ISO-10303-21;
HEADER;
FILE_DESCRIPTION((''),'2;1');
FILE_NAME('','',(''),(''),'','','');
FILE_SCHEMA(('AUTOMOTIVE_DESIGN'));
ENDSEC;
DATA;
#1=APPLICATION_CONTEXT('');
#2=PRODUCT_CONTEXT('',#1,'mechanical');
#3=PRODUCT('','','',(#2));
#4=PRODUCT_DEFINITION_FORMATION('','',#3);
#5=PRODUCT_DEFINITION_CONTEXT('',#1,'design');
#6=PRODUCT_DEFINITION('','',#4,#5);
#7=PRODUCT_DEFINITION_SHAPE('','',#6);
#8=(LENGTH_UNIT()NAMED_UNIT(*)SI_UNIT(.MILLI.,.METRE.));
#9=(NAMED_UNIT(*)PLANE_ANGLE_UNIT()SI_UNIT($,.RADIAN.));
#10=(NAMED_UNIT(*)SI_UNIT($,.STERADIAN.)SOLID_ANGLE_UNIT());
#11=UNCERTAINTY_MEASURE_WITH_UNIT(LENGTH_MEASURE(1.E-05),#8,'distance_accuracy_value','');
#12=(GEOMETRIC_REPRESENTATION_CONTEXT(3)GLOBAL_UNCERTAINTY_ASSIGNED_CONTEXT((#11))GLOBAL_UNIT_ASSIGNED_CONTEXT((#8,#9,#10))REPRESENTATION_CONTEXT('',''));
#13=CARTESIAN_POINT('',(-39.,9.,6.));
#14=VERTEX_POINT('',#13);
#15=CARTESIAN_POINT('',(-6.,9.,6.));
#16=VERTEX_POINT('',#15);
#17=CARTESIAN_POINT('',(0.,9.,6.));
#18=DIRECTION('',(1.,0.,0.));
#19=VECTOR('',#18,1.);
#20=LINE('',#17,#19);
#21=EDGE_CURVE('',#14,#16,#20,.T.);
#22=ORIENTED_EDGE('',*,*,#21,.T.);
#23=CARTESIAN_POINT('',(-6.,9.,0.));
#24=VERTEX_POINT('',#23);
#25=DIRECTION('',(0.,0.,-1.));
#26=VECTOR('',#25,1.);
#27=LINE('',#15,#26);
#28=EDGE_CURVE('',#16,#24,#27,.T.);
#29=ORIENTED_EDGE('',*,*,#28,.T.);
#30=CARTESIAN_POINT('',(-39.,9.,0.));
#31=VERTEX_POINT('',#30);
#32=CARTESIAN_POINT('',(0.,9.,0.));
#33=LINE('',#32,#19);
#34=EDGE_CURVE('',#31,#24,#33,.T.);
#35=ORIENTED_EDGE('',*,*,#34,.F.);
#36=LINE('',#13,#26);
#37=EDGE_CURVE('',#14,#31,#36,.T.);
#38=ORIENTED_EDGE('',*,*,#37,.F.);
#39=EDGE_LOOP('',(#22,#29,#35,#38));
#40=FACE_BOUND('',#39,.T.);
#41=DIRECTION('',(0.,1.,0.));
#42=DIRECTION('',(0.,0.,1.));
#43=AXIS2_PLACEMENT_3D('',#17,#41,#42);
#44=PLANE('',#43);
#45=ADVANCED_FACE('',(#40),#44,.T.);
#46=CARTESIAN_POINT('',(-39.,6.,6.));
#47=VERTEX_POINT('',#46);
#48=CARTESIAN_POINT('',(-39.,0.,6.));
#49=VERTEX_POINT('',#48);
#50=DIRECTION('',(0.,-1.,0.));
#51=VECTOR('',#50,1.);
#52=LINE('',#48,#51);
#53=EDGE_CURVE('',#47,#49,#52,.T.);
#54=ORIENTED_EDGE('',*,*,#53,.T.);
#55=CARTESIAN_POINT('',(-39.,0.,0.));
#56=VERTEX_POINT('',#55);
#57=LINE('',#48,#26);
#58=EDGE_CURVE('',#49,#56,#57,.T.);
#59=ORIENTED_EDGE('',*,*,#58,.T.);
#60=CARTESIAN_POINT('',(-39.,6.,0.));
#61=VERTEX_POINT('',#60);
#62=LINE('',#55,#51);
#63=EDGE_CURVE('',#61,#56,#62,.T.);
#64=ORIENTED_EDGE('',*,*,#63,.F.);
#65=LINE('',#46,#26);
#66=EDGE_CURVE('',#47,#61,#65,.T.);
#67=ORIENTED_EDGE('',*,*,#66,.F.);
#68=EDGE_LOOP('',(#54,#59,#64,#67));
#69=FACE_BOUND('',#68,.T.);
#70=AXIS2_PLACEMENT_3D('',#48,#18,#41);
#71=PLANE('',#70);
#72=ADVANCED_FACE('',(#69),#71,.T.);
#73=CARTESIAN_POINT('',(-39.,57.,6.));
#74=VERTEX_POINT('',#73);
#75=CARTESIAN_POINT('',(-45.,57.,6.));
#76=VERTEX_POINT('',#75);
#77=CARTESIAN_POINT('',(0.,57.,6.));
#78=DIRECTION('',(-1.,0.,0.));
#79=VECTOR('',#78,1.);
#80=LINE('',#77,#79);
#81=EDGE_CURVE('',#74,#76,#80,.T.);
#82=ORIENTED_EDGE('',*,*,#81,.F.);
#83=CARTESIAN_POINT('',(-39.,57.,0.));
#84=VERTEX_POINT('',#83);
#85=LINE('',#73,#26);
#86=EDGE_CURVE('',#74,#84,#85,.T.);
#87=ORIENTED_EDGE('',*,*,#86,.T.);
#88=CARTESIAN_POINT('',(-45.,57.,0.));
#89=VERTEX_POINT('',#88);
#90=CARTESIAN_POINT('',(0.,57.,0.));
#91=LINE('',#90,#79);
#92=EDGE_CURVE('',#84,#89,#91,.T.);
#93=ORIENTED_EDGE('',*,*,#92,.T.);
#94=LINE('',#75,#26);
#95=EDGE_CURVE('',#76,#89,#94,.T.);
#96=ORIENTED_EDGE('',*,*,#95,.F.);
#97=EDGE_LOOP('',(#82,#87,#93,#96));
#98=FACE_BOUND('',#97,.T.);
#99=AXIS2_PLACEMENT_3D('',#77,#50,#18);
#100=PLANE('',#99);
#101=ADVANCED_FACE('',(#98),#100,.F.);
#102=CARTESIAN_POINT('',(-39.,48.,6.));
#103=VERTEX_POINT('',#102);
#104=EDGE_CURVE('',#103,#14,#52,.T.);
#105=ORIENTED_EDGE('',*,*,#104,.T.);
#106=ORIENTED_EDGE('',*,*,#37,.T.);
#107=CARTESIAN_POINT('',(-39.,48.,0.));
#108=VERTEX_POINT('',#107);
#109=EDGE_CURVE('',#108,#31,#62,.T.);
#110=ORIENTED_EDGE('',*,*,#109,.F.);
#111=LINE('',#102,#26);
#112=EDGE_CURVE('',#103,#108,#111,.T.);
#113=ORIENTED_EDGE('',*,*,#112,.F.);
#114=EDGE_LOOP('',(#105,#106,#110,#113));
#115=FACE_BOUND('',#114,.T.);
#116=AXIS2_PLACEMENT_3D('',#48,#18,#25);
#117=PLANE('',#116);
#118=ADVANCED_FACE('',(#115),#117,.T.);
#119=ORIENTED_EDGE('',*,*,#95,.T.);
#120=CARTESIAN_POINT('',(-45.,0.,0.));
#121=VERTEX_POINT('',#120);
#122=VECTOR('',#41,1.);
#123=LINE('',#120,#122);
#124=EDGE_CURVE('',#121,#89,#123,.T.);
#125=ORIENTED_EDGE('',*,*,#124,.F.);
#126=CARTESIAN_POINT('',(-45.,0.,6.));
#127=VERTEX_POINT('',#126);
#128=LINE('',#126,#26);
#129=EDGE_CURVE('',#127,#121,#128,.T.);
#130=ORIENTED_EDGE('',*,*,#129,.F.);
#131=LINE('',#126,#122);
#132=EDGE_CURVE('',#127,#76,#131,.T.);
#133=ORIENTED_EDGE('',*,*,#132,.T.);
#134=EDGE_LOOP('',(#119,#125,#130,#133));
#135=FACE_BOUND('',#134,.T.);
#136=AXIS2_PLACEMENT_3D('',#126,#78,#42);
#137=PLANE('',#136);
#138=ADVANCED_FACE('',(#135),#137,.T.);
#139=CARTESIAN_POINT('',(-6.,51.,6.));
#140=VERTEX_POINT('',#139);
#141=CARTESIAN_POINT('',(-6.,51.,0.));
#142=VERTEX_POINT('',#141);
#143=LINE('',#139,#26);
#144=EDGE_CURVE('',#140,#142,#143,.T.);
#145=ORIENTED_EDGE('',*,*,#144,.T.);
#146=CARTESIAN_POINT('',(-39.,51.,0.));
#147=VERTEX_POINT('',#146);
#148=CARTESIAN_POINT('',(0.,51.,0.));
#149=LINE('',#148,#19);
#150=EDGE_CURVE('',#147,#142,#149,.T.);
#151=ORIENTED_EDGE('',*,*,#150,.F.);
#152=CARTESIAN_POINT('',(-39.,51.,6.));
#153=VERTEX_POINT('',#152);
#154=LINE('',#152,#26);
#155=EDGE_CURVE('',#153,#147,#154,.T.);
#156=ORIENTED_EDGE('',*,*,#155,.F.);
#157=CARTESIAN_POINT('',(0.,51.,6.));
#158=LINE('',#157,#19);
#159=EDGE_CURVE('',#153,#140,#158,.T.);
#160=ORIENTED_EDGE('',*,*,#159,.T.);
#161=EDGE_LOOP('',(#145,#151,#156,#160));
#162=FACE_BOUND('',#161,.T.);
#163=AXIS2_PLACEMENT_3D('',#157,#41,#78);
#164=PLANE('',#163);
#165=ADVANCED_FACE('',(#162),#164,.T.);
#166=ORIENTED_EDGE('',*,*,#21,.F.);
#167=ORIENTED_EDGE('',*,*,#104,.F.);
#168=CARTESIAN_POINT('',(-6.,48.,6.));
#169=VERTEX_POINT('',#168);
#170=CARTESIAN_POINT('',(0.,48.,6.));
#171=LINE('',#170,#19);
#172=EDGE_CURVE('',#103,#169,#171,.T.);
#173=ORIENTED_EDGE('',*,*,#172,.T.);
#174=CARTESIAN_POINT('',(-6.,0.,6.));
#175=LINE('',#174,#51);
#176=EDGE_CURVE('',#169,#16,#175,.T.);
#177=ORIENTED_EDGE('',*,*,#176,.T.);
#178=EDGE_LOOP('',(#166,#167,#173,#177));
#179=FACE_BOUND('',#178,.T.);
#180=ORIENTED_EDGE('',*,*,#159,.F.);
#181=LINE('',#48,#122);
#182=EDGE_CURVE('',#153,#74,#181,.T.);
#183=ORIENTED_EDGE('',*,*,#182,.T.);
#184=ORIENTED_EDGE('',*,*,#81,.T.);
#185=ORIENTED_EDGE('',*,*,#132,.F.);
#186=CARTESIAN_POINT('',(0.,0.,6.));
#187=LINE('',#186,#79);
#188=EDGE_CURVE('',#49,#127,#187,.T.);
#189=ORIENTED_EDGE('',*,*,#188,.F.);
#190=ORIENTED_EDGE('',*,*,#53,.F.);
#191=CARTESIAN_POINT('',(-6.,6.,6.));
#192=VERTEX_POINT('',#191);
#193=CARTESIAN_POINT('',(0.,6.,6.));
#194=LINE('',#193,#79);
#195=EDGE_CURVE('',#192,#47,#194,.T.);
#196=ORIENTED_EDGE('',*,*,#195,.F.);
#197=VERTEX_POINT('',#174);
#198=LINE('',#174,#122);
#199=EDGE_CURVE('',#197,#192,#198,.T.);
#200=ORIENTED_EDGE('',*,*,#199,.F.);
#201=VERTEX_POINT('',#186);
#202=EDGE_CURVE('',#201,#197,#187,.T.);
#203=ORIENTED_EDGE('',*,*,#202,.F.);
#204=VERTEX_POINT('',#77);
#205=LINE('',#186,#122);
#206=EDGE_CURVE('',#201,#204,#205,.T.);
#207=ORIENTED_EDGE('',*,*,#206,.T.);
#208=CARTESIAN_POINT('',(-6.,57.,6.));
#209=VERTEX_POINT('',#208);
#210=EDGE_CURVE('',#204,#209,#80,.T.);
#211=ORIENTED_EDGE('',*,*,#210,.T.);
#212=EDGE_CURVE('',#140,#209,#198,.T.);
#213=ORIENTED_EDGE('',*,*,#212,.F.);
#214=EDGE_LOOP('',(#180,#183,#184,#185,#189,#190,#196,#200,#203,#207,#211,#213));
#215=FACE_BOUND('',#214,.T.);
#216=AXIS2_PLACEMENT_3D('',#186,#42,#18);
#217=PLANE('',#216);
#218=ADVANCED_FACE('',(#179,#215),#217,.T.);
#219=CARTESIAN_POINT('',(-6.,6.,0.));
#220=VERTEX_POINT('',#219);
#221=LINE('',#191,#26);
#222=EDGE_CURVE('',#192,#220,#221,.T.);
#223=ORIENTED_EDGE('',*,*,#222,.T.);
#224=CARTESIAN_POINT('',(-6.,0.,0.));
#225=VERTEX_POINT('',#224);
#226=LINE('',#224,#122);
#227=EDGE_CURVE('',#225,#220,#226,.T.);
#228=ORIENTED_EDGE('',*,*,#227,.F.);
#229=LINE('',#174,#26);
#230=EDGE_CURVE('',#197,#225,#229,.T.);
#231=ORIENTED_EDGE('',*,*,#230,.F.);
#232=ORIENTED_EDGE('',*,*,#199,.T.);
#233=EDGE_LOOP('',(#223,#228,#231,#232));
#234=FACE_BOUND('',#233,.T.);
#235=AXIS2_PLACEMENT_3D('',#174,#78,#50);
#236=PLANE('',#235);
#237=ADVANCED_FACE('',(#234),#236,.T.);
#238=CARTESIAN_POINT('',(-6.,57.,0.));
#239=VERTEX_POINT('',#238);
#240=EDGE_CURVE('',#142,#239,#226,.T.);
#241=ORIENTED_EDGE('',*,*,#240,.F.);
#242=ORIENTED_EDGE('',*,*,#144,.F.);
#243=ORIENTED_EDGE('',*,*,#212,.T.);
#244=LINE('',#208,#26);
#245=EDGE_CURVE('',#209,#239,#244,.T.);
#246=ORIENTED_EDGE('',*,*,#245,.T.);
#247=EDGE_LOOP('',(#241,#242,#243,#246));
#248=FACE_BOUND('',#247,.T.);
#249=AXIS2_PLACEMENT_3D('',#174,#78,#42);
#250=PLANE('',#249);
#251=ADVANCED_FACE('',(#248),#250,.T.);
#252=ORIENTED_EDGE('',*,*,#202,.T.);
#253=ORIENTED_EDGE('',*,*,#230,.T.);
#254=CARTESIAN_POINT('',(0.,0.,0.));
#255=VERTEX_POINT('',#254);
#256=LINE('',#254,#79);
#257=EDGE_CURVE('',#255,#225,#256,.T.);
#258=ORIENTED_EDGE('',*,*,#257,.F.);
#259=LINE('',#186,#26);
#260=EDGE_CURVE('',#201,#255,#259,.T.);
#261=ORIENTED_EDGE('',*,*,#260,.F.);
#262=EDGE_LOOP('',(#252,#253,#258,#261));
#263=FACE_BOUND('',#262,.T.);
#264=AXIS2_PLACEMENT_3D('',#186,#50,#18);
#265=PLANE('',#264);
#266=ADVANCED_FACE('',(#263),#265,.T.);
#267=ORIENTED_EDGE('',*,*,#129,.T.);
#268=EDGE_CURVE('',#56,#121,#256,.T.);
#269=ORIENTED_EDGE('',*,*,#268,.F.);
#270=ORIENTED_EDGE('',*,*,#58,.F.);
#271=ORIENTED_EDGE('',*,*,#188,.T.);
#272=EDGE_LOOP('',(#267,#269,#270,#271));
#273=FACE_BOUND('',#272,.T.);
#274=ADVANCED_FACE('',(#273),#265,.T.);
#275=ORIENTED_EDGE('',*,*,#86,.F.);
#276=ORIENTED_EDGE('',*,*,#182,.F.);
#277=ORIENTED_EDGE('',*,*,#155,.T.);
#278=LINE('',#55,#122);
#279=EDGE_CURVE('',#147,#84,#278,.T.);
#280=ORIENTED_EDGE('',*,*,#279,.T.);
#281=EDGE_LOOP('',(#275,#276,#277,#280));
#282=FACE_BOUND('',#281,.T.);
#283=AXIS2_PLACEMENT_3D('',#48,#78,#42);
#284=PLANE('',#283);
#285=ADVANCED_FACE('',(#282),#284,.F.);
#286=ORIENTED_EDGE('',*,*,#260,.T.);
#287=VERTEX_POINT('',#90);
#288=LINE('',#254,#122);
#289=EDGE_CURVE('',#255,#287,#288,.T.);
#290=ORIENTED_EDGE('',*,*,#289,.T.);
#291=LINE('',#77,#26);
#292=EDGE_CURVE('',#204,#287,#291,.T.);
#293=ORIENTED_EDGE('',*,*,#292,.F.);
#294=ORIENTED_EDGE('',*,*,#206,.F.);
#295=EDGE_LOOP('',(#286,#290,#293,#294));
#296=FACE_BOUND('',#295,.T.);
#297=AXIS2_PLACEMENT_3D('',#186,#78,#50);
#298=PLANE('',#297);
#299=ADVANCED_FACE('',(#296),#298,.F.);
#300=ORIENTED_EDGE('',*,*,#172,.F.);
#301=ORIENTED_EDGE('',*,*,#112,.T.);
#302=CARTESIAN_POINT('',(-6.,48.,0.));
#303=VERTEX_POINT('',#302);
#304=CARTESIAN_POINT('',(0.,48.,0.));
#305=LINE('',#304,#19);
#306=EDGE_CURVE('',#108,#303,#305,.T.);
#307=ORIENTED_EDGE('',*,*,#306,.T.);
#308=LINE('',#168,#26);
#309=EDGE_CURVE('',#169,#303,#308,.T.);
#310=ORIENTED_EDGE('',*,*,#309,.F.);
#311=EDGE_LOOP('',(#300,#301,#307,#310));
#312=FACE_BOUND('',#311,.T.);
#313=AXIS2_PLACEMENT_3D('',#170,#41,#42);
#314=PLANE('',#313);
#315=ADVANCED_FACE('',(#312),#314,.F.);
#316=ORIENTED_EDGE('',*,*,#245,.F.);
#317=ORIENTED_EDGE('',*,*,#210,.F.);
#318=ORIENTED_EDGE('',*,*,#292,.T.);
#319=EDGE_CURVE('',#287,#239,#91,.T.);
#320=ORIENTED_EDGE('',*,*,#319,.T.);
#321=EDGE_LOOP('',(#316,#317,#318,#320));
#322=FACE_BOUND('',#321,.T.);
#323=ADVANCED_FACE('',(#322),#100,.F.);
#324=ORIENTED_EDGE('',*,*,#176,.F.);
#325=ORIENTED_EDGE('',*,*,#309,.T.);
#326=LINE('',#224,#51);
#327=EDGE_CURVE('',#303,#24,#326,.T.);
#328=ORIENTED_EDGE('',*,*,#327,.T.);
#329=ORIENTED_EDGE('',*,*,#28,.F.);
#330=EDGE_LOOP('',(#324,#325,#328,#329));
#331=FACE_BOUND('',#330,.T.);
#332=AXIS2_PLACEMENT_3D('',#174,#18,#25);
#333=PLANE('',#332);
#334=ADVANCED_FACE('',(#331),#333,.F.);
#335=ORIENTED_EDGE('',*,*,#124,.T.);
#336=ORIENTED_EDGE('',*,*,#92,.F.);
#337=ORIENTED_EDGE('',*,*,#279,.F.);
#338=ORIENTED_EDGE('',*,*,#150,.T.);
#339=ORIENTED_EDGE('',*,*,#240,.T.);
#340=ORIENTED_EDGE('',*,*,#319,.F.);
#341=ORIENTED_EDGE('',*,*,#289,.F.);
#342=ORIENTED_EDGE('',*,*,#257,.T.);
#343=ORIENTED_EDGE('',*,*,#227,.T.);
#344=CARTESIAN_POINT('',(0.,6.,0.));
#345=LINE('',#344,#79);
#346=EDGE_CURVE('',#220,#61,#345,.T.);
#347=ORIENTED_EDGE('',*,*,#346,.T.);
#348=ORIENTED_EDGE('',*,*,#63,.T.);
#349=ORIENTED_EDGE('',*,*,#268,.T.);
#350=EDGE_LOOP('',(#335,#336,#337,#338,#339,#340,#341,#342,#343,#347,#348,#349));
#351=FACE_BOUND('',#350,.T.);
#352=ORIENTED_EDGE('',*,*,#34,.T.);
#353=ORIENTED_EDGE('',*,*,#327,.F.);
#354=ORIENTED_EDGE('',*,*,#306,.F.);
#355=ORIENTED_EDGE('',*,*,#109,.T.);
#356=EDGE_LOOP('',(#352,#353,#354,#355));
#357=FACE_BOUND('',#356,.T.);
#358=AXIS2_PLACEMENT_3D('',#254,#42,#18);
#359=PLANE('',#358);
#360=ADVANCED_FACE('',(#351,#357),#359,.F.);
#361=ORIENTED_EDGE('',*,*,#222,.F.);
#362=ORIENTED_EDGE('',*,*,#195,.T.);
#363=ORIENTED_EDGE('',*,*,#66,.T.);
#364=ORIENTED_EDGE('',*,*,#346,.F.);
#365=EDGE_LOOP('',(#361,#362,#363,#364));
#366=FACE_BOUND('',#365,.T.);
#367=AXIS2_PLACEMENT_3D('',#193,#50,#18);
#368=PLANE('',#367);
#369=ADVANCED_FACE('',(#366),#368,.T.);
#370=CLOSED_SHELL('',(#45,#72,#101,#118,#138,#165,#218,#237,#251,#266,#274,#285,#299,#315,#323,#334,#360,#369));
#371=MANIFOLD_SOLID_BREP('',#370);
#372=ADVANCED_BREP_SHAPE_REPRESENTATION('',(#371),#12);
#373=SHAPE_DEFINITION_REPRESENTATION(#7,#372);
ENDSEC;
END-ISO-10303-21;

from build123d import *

# Parameters (mm, degrees)
SKETCH2_W           = 33
SKETCH2_H           = 39
BOSS_EXTRUDE1_DEPTH = 6


with BuildPart() as part:
    # Sketch2 → Boss-Extrude1 (new body)
    with BuildSketch(Plane.XY):
        Polygon((-6, 0), (0, 0), (0, 57), (-6, 57), (-6, 51), (-39, 51), (-39, 57), (-45, 57), (-45, 0), (-39, 0), (-39, 6), (-6, 6), align=None)
        with Locations((-22.5, 28.5)):
            Rectangle(SKETCH2_W, SKETCH2_H, mode=Mode.SUBTRACT)
    extrude(amount=BOSS_EXTRUDE1_DEPTH)


solid = part.part
